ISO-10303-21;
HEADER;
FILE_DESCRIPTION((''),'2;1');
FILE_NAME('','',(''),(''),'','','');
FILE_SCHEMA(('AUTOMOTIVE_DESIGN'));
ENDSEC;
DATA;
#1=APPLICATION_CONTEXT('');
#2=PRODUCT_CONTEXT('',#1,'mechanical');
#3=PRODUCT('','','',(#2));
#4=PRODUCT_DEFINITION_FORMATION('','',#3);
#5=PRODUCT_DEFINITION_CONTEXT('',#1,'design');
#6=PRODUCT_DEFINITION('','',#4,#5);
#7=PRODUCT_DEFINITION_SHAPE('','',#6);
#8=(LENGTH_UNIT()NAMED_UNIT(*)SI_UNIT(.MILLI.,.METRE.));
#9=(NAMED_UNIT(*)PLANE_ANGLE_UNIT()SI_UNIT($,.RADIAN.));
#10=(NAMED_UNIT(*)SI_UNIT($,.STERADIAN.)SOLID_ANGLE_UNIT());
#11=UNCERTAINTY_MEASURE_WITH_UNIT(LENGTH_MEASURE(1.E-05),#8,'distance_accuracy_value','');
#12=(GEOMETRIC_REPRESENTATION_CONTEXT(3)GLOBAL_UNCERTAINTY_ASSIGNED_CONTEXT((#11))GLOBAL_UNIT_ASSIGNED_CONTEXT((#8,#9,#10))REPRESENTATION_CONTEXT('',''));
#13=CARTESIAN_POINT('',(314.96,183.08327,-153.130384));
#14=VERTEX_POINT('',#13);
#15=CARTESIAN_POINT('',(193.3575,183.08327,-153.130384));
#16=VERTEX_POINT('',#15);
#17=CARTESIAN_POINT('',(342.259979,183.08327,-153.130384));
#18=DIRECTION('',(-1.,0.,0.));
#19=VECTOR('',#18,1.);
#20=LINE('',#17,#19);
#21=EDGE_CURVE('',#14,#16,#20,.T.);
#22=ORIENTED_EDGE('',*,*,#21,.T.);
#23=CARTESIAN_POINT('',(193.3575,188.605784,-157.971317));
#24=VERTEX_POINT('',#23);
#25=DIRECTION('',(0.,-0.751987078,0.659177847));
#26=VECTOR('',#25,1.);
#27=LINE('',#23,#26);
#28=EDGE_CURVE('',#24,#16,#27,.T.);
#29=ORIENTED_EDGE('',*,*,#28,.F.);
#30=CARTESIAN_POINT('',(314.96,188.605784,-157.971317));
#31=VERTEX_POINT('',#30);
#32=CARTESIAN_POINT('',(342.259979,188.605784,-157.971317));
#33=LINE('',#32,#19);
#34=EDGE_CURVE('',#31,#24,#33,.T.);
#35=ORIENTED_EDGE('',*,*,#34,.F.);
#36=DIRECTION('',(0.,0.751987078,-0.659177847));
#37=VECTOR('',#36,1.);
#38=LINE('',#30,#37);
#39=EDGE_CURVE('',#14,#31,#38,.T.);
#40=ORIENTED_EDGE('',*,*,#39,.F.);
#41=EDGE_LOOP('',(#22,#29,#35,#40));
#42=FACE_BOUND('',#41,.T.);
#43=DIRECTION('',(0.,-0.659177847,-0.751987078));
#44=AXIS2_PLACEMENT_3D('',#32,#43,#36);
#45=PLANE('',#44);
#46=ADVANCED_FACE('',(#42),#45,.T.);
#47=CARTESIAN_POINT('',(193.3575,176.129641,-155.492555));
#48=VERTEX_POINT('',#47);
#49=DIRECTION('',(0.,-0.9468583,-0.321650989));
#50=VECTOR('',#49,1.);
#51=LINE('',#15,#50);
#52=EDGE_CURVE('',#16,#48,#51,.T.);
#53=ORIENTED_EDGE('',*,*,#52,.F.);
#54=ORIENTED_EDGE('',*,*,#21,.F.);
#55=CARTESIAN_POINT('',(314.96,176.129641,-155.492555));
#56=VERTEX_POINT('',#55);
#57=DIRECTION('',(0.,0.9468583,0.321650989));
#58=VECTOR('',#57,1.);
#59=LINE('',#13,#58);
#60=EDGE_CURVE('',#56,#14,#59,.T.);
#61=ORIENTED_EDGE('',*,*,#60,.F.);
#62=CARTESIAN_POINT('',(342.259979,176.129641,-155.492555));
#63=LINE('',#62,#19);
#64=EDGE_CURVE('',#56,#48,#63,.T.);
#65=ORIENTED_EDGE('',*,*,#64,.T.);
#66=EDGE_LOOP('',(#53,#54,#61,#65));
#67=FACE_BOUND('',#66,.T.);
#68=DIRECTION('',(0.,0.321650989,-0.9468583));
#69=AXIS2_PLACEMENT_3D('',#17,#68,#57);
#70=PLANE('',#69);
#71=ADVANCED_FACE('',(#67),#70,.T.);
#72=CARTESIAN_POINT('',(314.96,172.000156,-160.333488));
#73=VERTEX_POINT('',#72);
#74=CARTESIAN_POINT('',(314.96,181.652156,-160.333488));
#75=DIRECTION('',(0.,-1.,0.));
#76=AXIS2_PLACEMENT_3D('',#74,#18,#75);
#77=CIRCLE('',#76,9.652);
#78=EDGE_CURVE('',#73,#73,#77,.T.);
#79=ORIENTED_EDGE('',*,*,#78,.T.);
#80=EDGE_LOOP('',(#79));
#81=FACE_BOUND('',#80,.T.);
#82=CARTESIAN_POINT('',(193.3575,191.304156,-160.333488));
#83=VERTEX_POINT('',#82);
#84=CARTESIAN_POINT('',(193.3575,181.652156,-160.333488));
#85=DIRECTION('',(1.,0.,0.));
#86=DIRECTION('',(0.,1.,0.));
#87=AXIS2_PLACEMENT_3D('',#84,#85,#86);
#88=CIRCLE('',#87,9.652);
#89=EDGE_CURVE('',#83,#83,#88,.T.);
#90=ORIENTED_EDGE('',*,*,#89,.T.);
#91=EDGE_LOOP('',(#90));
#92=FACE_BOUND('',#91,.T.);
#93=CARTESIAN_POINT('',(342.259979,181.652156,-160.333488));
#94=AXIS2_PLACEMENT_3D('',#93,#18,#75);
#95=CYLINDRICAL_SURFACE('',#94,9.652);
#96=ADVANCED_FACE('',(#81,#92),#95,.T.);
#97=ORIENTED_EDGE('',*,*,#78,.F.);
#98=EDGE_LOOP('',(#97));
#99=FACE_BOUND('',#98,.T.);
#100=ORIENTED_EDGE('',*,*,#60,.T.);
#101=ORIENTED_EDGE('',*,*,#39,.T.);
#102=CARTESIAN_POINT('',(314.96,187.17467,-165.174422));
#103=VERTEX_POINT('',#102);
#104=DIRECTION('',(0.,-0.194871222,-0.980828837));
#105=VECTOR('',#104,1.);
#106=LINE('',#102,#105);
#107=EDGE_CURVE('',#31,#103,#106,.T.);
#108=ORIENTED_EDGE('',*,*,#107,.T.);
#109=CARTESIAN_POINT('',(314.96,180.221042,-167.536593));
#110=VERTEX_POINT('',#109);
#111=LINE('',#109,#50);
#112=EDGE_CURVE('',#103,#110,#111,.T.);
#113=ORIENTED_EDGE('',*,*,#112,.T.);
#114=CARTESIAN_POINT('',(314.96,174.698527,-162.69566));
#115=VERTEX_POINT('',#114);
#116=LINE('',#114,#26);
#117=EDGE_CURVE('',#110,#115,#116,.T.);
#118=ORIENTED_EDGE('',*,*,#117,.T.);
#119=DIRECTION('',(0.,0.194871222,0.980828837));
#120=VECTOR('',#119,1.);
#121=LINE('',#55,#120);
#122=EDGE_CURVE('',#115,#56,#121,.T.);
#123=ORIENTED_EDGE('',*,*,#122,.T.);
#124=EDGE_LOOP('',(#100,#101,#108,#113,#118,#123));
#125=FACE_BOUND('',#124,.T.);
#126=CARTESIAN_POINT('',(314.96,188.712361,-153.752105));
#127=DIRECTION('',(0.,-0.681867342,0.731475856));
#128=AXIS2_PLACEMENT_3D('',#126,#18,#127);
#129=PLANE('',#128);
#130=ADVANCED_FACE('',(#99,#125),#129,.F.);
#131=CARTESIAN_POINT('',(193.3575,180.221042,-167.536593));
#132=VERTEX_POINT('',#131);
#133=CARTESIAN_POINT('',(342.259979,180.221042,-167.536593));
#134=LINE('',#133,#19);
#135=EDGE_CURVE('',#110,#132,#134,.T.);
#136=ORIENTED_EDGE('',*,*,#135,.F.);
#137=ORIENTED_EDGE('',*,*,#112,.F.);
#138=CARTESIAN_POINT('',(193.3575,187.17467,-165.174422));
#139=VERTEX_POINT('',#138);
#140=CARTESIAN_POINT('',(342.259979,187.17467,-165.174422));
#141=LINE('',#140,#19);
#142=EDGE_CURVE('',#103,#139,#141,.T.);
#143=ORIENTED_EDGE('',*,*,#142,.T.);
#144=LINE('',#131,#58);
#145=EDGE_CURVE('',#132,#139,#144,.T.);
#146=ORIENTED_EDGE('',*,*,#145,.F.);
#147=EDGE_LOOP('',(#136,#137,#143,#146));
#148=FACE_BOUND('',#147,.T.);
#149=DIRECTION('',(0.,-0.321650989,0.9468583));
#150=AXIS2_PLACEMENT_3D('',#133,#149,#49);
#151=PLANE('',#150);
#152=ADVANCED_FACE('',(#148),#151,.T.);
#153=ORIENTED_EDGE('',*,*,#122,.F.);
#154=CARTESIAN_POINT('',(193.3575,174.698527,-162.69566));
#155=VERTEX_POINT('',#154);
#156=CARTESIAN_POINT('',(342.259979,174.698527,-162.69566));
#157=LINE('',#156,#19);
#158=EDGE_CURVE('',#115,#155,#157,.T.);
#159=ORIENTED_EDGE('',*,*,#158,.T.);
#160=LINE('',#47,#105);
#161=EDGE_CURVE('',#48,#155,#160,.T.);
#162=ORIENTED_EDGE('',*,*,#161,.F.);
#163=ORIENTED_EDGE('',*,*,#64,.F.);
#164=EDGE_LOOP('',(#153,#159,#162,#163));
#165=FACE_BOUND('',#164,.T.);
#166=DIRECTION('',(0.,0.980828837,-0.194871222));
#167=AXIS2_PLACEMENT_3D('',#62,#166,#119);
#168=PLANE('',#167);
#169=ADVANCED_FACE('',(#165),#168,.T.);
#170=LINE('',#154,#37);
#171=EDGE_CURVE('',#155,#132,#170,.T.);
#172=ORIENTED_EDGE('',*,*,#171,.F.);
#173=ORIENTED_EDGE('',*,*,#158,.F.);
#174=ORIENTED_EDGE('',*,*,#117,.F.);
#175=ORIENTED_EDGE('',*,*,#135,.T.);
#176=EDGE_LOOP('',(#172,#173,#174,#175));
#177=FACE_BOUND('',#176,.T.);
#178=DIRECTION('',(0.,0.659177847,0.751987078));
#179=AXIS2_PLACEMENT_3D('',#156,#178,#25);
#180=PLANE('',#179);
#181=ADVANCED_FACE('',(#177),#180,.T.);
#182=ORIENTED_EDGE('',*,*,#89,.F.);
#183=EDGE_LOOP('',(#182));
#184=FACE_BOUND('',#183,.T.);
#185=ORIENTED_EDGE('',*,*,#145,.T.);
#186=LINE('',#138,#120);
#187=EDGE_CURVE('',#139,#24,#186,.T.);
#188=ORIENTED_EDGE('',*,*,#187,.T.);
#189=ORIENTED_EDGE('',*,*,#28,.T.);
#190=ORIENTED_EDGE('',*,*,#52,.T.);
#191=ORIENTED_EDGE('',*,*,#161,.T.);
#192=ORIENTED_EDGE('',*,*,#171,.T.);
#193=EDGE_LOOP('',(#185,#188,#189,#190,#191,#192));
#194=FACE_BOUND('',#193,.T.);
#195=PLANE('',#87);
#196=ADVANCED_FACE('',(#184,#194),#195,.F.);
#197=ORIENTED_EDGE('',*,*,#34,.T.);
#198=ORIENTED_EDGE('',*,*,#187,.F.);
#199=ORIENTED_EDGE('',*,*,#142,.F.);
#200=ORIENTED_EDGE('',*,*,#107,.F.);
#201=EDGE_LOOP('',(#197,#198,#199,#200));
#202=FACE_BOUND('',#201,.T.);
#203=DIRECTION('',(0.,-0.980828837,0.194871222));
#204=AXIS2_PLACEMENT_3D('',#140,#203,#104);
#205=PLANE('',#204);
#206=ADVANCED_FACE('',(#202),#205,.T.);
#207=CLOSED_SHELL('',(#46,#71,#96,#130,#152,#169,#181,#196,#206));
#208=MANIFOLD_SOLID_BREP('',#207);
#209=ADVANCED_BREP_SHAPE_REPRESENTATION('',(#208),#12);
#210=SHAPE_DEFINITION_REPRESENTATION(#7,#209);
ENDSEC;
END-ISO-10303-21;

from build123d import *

# Parameters (mm, degrees)
BOSS_EXTRUDE1_DEPTH = 121.6025


with BuildPart() as part:
    # Sketch1 → Boss-Extrude1 (new body)
    with BuildSketch(Plane(origin=(193.3575, 0, 0), x_dir=(0, 0, -1), z_dir=(1, 0, 0))):
        with BuildLine():
            ThreePointArc((169.472564712, 184.756731005), (157.228913048, 190.791231973), (151.19441208, 178.547580309))
            ThreePointArc((151.19441208, 178.547580309), (163.438063744, 172.513079341), (169.472564712, 184.756731005))
        make_face()
        Polygon((157.971317168, 188.605783997), (153.130383991, 183.083269536), (155.492555219, 176.129641196), (162.695659624, 174.698527317), (167.536592801, 180.221041778), (165.174421573, 187.174670118), align=None, mode=Mode.SUBTRACT)
    extrude(amount=BOSS_EXTRUDE1_DEPTH)


solid = part.part
